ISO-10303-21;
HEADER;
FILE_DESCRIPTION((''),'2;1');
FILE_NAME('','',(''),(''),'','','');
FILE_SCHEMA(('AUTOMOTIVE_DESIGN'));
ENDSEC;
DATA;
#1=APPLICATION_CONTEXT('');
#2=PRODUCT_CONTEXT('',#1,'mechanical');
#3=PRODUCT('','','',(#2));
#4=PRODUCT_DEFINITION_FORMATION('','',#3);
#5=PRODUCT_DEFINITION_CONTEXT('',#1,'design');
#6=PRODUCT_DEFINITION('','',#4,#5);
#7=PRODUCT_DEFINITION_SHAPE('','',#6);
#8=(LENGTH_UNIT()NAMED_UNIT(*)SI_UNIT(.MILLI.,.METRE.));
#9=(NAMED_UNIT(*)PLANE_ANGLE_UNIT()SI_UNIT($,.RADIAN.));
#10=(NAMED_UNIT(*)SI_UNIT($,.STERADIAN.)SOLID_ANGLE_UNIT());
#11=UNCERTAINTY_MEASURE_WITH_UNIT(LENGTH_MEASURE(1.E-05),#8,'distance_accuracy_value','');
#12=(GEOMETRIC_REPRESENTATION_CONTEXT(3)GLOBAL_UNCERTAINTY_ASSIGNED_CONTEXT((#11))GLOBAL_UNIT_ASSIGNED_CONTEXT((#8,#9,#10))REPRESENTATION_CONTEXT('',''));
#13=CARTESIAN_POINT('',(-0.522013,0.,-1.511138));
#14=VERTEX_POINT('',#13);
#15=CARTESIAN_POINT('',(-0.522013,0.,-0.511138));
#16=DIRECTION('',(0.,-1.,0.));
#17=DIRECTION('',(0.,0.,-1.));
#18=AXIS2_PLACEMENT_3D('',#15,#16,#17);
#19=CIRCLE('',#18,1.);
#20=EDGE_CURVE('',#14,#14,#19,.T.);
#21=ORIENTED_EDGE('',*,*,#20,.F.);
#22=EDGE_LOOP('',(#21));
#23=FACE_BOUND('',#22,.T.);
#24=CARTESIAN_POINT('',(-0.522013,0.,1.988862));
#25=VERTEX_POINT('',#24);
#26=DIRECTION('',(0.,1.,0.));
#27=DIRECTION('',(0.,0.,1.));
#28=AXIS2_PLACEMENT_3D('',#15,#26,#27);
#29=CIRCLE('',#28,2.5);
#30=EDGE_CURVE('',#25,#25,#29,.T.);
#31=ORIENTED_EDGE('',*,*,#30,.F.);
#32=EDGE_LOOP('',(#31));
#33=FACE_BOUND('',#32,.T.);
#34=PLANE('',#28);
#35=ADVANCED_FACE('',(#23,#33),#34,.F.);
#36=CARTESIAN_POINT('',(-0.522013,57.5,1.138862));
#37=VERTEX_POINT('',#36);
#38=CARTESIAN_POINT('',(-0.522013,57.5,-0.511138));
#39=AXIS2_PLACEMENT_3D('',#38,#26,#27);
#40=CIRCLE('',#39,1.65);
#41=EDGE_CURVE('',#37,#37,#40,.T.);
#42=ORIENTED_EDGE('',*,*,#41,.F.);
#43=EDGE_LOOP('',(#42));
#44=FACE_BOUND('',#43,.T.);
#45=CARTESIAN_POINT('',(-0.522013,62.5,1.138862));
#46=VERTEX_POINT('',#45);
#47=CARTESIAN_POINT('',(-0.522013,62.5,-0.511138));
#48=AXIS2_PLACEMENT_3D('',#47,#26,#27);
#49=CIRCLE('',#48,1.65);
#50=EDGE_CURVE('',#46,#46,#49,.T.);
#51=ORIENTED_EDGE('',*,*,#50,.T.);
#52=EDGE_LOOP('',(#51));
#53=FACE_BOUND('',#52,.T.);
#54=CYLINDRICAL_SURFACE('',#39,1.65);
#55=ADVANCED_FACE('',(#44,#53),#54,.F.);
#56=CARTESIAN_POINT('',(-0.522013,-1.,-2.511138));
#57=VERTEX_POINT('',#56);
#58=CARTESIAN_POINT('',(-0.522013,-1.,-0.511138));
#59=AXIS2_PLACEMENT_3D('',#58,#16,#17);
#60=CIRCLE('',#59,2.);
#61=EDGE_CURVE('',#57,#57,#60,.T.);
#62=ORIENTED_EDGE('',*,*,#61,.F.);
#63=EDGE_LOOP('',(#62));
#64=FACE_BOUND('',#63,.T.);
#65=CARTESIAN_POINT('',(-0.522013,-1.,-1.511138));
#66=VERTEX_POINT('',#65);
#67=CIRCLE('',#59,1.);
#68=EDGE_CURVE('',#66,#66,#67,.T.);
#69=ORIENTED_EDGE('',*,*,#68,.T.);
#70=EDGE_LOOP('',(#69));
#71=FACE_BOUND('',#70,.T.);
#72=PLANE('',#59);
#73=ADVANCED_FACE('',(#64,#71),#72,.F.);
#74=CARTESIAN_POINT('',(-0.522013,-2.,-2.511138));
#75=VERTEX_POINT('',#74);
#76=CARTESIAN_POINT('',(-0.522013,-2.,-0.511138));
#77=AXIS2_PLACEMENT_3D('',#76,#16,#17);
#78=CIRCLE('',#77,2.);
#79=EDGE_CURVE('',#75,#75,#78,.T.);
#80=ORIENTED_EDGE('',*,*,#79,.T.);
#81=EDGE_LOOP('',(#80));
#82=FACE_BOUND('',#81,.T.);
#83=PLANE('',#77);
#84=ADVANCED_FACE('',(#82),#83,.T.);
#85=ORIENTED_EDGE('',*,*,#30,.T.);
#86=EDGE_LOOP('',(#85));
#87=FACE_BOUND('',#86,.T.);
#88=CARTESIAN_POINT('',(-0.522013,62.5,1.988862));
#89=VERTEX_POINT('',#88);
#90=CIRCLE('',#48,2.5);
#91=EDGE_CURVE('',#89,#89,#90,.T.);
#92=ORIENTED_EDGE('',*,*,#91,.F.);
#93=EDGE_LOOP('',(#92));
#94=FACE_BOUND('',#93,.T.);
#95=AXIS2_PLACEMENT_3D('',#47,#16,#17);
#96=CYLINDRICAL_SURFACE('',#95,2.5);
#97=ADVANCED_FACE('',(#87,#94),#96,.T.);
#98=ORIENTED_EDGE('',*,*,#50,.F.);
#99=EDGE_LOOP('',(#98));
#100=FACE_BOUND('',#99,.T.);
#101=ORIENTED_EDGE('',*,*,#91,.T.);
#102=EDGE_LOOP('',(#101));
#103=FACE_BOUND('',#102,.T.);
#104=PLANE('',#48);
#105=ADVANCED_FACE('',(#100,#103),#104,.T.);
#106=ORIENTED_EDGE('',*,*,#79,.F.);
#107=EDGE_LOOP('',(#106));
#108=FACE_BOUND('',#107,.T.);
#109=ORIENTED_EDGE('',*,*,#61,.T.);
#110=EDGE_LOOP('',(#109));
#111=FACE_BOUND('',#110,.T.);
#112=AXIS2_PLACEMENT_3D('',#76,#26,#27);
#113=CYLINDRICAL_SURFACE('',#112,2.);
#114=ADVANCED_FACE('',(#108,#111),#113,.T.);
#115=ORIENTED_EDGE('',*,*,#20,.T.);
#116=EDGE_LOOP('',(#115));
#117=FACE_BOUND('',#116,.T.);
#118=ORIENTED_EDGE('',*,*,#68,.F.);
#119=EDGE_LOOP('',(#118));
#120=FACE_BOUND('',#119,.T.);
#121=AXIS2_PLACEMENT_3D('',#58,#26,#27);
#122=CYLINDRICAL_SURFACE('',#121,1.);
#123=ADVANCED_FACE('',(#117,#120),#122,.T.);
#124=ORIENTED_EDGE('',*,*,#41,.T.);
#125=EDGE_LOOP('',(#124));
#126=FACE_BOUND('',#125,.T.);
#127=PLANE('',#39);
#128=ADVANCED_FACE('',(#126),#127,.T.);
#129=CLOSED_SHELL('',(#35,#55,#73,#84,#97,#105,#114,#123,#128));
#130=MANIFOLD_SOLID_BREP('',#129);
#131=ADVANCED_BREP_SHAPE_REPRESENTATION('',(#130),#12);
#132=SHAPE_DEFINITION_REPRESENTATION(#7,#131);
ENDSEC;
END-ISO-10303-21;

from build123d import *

# Parameters (mm, degrees)
SKETCH1_R           = 2.5
BOSS_EXTRUDE1_DEPTH = 62.5
SKETCH1_3_R         = 2
BOSS_EXTRUDE2_DEPTH = 1
SKETCH5_R           = 1
BOSS_EXTRUDE3_DEPTH = 1
SKETCH6_R           = 2
BOSS_EXTRUDE4_DEPTH = 1
SKETCH12_R          = 1.65
CUT_EXTRUDE1_DEPTH  = 5


with BuildPart() as part:
    # Sketch1 → Boss-Extrude1 (new body)
    with BuildSketch(Plane(origin=(0, 0, 0), x_dir=(1, 0, 0), z_dir=(0, 1, 0))):
        with Locations((-0.522013312, 0.511138034)):
            Circle(SKETCH1_R)
    extrude(amount=BOSS_EXTRUDE1_DEPTH)

    # Sketch1<3> → Boss-Extrude2 (add)
    with BuildSketch(Plane(origin=(0, 0, 0), x_dir=(1, 0, 0), z_dir=(0, 1, 0))):
        with Locations((-0.522013312, 0.511138034)):
            Circle(SKETCH1_3_R)
    extrude(amount=BOSS_EXTRUDE2_DEPTH)

    # Sketch5 → Boss-Extrude3 (add)
    with BuildSketch(Plane.XZ):
        with Locations((-0.522013312, -0.511138034)):
            Circle(SKETCH5_R)
    extrude(amount=BOSS_EXTRUDE3_DEPTH)

    # Sketch6 → Boss-Extrude4 (add)
    with BuildSketch(Plane.XZ.offset(1)):
        with Locations((-0.522013312, -0.511138034)):
            Circle(SKETCH6_R)
    extrude(amount=BOSS_EXTRUDE4_DEPTH)

    # Sketch12 → Cut-Extrude1 (cut)
    with BuildSketch(Plane(origin=(0, 62.5, 0), x_dir=(1, 0, 0), z_dir=(0, 1, 0))):
        with Locations((-0.522013312, 0.511138034)):
            Circle(SKETCH12_R)
    extrude(amount=-CUT_EXTRUDE1_DEPTH, mode=Mode.SUBTRACT)


solid = part.part
